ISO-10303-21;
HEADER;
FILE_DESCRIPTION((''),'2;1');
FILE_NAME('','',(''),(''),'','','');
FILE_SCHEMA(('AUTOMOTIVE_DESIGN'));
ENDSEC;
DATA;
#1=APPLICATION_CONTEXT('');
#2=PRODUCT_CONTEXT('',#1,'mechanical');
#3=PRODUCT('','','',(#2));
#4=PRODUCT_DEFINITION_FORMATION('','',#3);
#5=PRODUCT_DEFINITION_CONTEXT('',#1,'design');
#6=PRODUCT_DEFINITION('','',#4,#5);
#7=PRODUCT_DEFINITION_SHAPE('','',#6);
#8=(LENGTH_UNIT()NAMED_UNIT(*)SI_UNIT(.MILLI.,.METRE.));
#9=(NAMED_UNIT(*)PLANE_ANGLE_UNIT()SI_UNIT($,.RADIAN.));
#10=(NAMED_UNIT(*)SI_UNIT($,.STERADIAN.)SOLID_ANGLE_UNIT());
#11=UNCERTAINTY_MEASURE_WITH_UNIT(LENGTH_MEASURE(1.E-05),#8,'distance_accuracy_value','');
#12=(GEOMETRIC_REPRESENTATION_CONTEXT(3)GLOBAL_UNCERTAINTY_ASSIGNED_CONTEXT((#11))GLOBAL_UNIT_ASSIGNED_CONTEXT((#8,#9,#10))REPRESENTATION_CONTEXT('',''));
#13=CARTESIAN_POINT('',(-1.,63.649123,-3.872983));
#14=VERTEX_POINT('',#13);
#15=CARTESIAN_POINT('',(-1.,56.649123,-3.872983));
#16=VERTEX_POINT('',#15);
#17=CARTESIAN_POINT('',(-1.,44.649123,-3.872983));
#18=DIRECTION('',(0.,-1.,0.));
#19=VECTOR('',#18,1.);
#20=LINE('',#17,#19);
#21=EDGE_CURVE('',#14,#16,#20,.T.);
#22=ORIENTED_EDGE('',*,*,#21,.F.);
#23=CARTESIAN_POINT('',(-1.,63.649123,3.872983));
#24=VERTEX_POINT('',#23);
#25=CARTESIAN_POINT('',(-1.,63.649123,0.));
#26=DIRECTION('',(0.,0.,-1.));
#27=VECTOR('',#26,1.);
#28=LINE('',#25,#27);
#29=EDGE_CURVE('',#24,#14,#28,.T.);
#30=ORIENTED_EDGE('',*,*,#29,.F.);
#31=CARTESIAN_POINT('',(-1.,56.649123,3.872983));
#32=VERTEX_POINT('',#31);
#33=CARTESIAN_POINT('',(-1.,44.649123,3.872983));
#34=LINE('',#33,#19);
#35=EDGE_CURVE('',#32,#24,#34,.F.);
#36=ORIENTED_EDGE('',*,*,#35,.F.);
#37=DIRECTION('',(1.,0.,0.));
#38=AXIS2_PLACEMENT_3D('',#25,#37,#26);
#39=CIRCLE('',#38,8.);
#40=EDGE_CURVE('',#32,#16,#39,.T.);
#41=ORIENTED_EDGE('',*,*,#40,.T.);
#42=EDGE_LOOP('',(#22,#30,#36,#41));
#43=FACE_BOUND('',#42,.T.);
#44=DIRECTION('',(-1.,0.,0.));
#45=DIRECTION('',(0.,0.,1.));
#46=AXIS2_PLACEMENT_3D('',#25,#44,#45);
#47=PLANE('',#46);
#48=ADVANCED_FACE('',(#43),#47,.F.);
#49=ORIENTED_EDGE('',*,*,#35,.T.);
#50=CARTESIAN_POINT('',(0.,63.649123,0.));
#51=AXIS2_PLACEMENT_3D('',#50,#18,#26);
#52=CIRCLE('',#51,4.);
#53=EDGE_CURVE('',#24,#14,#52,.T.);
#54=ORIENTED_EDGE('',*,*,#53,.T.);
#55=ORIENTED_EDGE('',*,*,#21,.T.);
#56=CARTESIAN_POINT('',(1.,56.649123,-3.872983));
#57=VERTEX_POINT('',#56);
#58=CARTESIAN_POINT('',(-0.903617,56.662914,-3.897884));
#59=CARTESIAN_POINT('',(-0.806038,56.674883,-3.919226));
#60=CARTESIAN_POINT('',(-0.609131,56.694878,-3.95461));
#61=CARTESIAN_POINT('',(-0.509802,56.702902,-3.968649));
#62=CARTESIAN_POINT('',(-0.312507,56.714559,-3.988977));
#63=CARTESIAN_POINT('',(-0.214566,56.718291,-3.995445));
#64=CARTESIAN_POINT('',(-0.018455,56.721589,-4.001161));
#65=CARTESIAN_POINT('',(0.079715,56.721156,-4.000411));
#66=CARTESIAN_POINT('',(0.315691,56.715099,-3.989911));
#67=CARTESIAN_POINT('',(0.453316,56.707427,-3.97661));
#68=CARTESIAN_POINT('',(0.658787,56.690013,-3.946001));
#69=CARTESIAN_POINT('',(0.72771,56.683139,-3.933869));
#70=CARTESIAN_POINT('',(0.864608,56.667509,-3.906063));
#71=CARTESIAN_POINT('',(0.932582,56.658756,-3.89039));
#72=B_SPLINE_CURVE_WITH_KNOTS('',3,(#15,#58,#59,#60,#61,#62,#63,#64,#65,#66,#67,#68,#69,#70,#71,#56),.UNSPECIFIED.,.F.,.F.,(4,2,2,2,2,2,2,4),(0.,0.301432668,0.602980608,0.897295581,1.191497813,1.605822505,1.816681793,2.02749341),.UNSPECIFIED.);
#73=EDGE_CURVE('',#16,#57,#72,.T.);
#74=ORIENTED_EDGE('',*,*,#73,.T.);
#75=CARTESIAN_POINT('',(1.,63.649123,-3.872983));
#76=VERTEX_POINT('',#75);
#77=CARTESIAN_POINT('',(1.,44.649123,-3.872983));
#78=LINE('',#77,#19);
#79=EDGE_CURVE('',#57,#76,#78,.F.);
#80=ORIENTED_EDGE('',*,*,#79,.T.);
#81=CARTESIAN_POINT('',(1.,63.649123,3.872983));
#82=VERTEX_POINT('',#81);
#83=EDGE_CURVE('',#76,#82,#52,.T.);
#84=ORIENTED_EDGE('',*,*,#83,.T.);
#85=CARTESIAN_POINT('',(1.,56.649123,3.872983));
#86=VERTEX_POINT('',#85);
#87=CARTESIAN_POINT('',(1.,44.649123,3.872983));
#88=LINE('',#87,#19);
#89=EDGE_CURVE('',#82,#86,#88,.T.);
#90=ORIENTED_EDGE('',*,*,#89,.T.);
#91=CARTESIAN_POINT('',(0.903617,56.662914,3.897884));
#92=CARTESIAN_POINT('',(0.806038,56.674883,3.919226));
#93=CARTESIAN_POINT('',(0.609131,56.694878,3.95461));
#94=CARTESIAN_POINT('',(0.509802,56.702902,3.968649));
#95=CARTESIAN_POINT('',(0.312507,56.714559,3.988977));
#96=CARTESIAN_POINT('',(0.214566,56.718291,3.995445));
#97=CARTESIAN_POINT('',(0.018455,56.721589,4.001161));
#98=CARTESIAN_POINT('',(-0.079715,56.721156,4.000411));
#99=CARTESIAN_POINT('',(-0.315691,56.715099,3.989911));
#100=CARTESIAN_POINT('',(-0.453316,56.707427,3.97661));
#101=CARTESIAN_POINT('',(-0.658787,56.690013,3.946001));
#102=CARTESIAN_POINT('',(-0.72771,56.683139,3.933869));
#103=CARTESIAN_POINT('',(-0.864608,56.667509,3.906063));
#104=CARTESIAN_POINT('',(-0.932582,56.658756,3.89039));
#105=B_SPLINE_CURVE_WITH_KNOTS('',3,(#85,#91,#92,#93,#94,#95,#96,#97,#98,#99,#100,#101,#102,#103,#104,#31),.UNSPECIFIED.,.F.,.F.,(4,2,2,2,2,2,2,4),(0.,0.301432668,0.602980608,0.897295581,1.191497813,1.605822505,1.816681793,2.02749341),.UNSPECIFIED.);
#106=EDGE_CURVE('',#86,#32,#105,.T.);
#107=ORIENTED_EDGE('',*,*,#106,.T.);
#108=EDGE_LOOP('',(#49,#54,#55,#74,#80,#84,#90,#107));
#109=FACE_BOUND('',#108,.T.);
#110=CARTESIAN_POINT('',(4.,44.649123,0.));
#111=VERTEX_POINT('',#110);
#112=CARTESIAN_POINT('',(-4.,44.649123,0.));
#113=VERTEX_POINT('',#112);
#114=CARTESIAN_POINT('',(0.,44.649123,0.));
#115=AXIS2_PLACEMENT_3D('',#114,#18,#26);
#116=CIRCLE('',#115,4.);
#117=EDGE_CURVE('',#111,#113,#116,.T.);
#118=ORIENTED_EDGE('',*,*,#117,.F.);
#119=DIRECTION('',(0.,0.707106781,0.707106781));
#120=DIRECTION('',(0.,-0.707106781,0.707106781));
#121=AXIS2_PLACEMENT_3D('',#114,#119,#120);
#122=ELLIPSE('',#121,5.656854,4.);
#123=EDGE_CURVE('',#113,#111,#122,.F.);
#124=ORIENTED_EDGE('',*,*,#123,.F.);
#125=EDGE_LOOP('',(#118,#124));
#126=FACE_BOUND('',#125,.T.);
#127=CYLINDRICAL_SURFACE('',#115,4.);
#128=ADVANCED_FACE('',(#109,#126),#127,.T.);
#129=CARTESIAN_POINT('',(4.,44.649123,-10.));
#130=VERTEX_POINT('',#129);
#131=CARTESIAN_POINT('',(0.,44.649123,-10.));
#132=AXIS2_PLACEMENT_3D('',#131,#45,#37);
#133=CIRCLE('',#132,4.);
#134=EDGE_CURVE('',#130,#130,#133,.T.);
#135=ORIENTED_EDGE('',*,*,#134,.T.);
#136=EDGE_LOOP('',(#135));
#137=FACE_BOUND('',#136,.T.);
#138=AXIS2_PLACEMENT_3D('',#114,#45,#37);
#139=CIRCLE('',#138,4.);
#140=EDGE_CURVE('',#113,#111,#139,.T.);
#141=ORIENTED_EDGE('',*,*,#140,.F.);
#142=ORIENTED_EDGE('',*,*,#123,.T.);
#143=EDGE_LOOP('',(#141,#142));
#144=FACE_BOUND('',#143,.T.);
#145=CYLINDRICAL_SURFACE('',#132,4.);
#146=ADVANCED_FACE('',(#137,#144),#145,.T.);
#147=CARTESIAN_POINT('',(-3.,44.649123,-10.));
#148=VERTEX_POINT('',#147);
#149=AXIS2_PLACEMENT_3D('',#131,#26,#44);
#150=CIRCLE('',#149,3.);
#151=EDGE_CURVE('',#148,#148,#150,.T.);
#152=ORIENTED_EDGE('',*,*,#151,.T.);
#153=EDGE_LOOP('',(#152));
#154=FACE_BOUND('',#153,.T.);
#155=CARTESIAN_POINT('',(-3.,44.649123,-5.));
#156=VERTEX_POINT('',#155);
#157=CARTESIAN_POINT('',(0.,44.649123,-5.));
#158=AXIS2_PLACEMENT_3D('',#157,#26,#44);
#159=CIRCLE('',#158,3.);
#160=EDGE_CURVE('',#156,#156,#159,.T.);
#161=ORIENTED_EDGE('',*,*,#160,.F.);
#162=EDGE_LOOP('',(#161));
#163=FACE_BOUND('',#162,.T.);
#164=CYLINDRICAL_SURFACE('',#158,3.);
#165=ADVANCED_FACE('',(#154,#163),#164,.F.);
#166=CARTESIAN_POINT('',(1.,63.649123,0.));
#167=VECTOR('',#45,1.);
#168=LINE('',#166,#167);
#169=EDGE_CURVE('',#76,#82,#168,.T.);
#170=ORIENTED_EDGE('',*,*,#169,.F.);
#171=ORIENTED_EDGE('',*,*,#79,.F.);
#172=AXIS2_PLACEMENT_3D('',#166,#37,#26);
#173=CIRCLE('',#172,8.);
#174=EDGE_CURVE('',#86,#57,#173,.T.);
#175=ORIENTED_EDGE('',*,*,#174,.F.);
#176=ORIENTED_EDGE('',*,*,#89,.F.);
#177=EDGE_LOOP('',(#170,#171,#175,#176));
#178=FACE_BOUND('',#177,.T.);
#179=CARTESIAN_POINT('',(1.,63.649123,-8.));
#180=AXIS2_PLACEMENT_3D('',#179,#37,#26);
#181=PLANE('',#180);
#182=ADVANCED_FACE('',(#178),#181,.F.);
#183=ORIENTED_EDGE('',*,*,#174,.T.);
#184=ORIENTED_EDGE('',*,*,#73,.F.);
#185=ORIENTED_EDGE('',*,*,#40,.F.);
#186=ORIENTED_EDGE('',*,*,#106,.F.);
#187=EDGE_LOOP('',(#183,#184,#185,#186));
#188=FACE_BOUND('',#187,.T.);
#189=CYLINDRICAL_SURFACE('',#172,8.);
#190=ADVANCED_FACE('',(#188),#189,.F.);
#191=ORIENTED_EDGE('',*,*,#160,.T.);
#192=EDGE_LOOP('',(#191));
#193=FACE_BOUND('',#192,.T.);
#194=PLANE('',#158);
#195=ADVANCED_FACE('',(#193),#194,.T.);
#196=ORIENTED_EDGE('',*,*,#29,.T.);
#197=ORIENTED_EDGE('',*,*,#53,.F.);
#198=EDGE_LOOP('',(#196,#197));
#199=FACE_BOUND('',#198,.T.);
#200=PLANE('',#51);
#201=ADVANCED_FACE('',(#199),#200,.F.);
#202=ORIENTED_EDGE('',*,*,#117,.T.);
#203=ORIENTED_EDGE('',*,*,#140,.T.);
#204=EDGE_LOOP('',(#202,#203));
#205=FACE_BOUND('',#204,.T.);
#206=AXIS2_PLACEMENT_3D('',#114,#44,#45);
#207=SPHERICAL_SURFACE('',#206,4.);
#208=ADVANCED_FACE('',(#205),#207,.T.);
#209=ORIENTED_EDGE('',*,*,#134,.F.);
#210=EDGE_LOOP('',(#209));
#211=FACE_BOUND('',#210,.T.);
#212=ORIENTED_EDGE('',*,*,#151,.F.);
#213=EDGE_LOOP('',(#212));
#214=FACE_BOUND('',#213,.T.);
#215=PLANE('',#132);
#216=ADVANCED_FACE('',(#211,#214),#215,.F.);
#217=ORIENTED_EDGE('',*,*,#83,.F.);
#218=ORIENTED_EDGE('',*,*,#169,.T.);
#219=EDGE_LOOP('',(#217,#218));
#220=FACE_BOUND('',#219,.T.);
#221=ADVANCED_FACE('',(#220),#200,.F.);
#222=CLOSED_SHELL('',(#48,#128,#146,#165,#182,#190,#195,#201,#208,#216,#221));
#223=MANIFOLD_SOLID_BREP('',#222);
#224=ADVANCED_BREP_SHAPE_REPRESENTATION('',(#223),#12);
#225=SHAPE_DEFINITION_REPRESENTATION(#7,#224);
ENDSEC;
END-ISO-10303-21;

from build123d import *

# Parameters (mm, degrees)
CROQUIS1_R              = 4
SALIENTE_EXTRUIR1_DEPTH = 10
CROQUIS3_R              = 3
CORTAR_EXTRUIR2_DEPTH   = 5
CROQUIS4_W              = 4
CROQUIS4_H              = 19
CROQUIS5_W              = 2
CROQUIS5_H              = 8


with BuildPart() as part:
    # Croquis1 → Saliente-Extruir1 (new body)
    with BuildSketch(Plane.XY):
        with Locations((0, 44.649122807)):
            Circle(CROQUIS1_R)
    extrude(amount=-SALIENTE_EXTRUIR1_DEPTH)

    # Croquis3 → Cortar-Extruir2 (cut)
    with BuildSketch(Plane(origin=(0, 0, -10), x_dir=(-1, 0, 0), z_dir=(0, 0, -1))):
        with Locations((0, 44.649122807)):
            Circle(CROQUIS3_R)
    extrude(amount=-CORTAR_EXTRUIR2_DEPTH, mode=Mode.SUBTRACT)

    # Croquis4 → Revolución1 (revolve)
    with BuildSketch(Plane(origin=(0, 0, 0), x_dir=(0, 0, -1), z_dir=(1, 0, 0)), mode=Mode.PRIVATE) as revoluci_n1_sk:
        with Locations((-2, 54.149122807)):
            Rectangle(CROQUIS4_W, CROQUIS4_H)
    revolve(revoluci_n1_sk.sketch.rotate(Axis((0, 44.649122807, 0), (0, 1, 0)), 180), axis=Axis((0, 44.649122807, 0), (0, 1, 0)))

    # Croquis5 → Cortar-Revolución1 (revolve, cut)
    with BuildSketch(Plane(origin=(0, 63.649122807, 0), x_dir=(1, 0, 0), z_dir=(0, 1, 0))):
        with Locations((0, 4)):
            Rectangle(CROQUIS5_W, CROQUIS5_H)
    revolve(axis=Axis((1, 63.649122807, 0), (-1, 0, 0)), mode=Mode.SUBTRACT)

    # Croquis6 → Revolución3 (revolve)
    with BuildSketch(Plane.XZ.offset(-44.649122807)):
        with BuildLine():
            Line((-4, 0), (4, 0))
            ThreePointArc((4, 0), (0, 4), (-4, 0))
        make_face()
    revolve(axis=Axis((-4, 44.649122807, 0), (1, 0, 0)))


solid = part.part
